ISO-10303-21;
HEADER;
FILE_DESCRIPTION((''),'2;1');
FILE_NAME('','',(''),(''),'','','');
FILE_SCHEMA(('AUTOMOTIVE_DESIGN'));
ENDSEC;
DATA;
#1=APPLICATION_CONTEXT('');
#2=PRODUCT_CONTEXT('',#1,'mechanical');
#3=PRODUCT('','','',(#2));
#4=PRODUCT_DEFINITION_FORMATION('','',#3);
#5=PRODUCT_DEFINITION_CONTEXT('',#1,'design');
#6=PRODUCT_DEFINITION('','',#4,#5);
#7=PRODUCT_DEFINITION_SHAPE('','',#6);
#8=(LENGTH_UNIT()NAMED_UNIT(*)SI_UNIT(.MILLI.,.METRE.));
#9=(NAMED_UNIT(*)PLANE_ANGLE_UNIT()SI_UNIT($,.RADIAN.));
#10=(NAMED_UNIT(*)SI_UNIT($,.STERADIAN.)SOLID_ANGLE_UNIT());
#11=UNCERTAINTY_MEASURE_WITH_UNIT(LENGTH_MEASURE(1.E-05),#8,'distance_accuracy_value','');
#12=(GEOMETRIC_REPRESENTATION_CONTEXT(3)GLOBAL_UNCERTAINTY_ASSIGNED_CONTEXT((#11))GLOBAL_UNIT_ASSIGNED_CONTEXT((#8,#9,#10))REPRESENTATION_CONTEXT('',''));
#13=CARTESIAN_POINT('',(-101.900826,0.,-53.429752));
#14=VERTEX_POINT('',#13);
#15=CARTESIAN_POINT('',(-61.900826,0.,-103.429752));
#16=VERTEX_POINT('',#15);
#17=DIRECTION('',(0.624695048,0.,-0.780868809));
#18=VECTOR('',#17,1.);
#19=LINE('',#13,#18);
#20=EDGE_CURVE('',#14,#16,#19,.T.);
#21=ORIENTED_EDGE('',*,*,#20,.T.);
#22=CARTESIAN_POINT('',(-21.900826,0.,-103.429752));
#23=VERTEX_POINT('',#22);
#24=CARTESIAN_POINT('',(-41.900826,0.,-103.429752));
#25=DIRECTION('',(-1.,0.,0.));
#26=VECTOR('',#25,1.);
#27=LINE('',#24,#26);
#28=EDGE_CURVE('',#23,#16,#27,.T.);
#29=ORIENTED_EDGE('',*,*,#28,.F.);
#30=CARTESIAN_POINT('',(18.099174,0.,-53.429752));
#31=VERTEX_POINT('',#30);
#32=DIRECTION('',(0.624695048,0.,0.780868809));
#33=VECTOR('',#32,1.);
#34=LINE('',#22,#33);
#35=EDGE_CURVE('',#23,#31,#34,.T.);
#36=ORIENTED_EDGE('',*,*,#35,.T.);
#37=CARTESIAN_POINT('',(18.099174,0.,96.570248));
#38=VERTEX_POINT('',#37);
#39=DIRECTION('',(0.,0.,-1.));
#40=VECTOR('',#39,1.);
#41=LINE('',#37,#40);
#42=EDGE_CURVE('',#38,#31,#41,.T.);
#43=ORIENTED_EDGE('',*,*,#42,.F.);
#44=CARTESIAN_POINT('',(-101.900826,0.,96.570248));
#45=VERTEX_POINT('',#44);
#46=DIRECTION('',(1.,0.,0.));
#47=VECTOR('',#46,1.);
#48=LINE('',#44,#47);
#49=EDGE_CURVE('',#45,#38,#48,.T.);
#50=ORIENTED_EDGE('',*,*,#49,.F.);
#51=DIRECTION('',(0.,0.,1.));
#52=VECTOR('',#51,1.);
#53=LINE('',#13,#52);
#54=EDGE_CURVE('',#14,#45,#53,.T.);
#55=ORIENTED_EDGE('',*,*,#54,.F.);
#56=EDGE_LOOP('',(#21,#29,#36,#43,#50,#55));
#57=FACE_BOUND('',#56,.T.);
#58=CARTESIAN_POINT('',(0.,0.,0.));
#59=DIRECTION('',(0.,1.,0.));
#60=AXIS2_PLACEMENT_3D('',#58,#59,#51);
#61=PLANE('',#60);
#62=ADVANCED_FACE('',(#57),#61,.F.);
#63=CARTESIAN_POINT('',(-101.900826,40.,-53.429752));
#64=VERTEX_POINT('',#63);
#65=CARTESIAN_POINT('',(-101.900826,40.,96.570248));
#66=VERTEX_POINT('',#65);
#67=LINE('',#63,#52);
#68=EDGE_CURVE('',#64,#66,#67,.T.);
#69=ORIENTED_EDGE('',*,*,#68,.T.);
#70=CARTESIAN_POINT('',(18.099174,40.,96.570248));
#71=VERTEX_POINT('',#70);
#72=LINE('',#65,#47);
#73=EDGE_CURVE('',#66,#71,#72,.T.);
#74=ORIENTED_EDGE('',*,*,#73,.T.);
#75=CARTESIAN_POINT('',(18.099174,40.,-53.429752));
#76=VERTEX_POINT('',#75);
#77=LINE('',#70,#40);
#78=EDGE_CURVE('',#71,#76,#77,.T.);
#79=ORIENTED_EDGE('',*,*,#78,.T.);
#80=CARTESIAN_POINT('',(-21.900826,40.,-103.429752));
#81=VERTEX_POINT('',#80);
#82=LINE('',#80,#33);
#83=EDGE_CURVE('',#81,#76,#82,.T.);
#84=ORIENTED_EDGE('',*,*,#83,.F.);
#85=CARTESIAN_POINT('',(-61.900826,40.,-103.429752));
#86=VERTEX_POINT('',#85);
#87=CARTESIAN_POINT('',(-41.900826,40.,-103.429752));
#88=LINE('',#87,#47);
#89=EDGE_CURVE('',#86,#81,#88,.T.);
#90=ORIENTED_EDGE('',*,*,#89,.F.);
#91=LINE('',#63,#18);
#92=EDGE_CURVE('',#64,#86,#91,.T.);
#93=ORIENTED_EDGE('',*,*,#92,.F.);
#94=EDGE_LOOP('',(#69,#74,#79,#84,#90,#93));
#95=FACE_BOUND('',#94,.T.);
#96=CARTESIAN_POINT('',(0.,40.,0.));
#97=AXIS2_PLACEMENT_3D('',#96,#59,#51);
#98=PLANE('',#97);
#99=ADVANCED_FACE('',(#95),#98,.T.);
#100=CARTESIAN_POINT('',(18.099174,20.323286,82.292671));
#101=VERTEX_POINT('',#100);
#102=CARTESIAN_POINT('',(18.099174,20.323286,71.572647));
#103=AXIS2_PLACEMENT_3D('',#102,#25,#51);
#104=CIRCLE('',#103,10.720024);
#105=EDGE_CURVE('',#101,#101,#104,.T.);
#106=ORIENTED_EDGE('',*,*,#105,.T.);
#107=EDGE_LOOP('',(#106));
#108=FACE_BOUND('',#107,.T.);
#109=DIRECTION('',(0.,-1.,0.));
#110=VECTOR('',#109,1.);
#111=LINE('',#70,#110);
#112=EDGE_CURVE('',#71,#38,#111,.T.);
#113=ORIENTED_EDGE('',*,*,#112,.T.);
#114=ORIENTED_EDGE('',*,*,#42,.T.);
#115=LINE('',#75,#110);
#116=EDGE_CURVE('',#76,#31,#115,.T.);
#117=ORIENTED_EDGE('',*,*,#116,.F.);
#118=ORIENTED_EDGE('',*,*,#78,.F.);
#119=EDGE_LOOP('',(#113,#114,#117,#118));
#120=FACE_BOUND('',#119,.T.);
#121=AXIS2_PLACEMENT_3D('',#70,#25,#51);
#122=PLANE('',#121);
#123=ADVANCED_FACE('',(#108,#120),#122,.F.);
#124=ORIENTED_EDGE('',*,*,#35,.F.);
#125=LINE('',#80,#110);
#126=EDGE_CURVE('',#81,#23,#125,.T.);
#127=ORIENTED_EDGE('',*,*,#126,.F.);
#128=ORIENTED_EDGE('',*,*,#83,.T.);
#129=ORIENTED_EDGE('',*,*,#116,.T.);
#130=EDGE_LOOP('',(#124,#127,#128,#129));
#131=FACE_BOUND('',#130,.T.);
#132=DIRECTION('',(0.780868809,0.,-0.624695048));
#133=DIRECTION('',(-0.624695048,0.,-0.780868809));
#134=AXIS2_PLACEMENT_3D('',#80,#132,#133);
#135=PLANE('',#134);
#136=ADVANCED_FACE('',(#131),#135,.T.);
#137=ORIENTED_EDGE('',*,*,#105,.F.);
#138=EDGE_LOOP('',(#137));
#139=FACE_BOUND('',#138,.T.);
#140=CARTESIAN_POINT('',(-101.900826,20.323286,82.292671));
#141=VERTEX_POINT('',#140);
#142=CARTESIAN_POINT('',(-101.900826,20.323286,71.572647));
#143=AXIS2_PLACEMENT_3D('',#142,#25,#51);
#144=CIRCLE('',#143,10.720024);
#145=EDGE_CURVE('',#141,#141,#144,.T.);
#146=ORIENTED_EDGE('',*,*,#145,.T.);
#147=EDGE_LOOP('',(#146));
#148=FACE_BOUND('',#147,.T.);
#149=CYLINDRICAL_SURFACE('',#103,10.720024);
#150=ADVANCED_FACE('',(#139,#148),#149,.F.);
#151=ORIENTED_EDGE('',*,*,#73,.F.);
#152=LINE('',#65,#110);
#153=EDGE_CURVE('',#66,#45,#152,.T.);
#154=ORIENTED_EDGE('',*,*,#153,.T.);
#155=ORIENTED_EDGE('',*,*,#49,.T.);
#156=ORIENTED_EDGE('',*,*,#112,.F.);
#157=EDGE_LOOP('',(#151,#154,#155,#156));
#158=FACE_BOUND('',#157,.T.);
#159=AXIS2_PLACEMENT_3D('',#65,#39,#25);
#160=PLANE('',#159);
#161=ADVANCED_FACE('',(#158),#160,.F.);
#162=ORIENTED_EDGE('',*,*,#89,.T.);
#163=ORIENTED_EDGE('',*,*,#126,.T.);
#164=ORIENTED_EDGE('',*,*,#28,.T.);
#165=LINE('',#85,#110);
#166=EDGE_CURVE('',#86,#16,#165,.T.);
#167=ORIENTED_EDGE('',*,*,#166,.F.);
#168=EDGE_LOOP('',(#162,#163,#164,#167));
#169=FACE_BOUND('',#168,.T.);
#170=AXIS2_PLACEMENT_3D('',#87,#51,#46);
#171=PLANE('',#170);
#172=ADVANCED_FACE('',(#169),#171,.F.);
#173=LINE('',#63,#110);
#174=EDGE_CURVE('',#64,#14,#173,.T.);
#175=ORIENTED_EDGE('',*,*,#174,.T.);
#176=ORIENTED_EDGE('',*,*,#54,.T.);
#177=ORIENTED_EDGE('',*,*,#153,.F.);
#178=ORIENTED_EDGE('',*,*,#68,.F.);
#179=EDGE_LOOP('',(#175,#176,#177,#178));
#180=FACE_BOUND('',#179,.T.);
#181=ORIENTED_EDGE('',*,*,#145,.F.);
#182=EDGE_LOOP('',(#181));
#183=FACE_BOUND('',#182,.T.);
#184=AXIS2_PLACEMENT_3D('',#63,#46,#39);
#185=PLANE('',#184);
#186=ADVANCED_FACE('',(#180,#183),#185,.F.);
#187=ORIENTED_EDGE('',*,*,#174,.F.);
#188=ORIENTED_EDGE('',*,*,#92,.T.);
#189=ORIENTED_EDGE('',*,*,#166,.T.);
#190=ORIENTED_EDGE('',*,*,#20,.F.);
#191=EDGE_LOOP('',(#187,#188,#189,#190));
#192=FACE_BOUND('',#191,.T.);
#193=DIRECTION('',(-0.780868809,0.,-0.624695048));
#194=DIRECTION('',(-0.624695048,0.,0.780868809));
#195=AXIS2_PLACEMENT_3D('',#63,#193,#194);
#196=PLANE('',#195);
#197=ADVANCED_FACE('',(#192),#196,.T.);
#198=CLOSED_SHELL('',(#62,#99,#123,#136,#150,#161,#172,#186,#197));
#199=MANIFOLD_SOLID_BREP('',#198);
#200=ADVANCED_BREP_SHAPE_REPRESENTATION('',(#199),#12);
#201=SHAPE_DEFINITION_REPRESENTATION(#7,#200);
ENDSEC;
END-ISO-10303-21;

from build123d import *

# Parameters (mm, degrees)
BOSS_EXTRUDE4_DEPTH = 40
SKETCH5_R           = 10.720024077
CUT_EXTRUDE1_DEPTH  = 120


with BuildPart() as part:
    # Sketch1 → Boss-Extrude4 (new body)
    with BuildSketch(Plane(origin=(0, 0, 0), x_dir=(1, 0, 0), z_dir=(0, 1, 0))):
        Polygon((-101.900826446, 53.429752066), (-101.900826446, -96.570247934), (18.099173554, -96.570247934), (18.099173554, 53.429752066), (-21.900826446, 103.429752066), (-41.900826446, 103.429752066), (-61.900826446, 103.429752066), align=None)
    extrude(amount=BOSS_EXTRUDE4_DEPTH)

    # Sketch5 → Cut-Extrude1 (cut)
    with BuildSketch(Plane.ZY.offset(101.900826446)):
        with Locations((71.572647324, 20.323286204)):
            Circle(SKETCH5_R)
    extrude(amount=-CUT_EXTRUDE1_DEPTH, mode=Mode.SUBTRACT)


solid = part.part
